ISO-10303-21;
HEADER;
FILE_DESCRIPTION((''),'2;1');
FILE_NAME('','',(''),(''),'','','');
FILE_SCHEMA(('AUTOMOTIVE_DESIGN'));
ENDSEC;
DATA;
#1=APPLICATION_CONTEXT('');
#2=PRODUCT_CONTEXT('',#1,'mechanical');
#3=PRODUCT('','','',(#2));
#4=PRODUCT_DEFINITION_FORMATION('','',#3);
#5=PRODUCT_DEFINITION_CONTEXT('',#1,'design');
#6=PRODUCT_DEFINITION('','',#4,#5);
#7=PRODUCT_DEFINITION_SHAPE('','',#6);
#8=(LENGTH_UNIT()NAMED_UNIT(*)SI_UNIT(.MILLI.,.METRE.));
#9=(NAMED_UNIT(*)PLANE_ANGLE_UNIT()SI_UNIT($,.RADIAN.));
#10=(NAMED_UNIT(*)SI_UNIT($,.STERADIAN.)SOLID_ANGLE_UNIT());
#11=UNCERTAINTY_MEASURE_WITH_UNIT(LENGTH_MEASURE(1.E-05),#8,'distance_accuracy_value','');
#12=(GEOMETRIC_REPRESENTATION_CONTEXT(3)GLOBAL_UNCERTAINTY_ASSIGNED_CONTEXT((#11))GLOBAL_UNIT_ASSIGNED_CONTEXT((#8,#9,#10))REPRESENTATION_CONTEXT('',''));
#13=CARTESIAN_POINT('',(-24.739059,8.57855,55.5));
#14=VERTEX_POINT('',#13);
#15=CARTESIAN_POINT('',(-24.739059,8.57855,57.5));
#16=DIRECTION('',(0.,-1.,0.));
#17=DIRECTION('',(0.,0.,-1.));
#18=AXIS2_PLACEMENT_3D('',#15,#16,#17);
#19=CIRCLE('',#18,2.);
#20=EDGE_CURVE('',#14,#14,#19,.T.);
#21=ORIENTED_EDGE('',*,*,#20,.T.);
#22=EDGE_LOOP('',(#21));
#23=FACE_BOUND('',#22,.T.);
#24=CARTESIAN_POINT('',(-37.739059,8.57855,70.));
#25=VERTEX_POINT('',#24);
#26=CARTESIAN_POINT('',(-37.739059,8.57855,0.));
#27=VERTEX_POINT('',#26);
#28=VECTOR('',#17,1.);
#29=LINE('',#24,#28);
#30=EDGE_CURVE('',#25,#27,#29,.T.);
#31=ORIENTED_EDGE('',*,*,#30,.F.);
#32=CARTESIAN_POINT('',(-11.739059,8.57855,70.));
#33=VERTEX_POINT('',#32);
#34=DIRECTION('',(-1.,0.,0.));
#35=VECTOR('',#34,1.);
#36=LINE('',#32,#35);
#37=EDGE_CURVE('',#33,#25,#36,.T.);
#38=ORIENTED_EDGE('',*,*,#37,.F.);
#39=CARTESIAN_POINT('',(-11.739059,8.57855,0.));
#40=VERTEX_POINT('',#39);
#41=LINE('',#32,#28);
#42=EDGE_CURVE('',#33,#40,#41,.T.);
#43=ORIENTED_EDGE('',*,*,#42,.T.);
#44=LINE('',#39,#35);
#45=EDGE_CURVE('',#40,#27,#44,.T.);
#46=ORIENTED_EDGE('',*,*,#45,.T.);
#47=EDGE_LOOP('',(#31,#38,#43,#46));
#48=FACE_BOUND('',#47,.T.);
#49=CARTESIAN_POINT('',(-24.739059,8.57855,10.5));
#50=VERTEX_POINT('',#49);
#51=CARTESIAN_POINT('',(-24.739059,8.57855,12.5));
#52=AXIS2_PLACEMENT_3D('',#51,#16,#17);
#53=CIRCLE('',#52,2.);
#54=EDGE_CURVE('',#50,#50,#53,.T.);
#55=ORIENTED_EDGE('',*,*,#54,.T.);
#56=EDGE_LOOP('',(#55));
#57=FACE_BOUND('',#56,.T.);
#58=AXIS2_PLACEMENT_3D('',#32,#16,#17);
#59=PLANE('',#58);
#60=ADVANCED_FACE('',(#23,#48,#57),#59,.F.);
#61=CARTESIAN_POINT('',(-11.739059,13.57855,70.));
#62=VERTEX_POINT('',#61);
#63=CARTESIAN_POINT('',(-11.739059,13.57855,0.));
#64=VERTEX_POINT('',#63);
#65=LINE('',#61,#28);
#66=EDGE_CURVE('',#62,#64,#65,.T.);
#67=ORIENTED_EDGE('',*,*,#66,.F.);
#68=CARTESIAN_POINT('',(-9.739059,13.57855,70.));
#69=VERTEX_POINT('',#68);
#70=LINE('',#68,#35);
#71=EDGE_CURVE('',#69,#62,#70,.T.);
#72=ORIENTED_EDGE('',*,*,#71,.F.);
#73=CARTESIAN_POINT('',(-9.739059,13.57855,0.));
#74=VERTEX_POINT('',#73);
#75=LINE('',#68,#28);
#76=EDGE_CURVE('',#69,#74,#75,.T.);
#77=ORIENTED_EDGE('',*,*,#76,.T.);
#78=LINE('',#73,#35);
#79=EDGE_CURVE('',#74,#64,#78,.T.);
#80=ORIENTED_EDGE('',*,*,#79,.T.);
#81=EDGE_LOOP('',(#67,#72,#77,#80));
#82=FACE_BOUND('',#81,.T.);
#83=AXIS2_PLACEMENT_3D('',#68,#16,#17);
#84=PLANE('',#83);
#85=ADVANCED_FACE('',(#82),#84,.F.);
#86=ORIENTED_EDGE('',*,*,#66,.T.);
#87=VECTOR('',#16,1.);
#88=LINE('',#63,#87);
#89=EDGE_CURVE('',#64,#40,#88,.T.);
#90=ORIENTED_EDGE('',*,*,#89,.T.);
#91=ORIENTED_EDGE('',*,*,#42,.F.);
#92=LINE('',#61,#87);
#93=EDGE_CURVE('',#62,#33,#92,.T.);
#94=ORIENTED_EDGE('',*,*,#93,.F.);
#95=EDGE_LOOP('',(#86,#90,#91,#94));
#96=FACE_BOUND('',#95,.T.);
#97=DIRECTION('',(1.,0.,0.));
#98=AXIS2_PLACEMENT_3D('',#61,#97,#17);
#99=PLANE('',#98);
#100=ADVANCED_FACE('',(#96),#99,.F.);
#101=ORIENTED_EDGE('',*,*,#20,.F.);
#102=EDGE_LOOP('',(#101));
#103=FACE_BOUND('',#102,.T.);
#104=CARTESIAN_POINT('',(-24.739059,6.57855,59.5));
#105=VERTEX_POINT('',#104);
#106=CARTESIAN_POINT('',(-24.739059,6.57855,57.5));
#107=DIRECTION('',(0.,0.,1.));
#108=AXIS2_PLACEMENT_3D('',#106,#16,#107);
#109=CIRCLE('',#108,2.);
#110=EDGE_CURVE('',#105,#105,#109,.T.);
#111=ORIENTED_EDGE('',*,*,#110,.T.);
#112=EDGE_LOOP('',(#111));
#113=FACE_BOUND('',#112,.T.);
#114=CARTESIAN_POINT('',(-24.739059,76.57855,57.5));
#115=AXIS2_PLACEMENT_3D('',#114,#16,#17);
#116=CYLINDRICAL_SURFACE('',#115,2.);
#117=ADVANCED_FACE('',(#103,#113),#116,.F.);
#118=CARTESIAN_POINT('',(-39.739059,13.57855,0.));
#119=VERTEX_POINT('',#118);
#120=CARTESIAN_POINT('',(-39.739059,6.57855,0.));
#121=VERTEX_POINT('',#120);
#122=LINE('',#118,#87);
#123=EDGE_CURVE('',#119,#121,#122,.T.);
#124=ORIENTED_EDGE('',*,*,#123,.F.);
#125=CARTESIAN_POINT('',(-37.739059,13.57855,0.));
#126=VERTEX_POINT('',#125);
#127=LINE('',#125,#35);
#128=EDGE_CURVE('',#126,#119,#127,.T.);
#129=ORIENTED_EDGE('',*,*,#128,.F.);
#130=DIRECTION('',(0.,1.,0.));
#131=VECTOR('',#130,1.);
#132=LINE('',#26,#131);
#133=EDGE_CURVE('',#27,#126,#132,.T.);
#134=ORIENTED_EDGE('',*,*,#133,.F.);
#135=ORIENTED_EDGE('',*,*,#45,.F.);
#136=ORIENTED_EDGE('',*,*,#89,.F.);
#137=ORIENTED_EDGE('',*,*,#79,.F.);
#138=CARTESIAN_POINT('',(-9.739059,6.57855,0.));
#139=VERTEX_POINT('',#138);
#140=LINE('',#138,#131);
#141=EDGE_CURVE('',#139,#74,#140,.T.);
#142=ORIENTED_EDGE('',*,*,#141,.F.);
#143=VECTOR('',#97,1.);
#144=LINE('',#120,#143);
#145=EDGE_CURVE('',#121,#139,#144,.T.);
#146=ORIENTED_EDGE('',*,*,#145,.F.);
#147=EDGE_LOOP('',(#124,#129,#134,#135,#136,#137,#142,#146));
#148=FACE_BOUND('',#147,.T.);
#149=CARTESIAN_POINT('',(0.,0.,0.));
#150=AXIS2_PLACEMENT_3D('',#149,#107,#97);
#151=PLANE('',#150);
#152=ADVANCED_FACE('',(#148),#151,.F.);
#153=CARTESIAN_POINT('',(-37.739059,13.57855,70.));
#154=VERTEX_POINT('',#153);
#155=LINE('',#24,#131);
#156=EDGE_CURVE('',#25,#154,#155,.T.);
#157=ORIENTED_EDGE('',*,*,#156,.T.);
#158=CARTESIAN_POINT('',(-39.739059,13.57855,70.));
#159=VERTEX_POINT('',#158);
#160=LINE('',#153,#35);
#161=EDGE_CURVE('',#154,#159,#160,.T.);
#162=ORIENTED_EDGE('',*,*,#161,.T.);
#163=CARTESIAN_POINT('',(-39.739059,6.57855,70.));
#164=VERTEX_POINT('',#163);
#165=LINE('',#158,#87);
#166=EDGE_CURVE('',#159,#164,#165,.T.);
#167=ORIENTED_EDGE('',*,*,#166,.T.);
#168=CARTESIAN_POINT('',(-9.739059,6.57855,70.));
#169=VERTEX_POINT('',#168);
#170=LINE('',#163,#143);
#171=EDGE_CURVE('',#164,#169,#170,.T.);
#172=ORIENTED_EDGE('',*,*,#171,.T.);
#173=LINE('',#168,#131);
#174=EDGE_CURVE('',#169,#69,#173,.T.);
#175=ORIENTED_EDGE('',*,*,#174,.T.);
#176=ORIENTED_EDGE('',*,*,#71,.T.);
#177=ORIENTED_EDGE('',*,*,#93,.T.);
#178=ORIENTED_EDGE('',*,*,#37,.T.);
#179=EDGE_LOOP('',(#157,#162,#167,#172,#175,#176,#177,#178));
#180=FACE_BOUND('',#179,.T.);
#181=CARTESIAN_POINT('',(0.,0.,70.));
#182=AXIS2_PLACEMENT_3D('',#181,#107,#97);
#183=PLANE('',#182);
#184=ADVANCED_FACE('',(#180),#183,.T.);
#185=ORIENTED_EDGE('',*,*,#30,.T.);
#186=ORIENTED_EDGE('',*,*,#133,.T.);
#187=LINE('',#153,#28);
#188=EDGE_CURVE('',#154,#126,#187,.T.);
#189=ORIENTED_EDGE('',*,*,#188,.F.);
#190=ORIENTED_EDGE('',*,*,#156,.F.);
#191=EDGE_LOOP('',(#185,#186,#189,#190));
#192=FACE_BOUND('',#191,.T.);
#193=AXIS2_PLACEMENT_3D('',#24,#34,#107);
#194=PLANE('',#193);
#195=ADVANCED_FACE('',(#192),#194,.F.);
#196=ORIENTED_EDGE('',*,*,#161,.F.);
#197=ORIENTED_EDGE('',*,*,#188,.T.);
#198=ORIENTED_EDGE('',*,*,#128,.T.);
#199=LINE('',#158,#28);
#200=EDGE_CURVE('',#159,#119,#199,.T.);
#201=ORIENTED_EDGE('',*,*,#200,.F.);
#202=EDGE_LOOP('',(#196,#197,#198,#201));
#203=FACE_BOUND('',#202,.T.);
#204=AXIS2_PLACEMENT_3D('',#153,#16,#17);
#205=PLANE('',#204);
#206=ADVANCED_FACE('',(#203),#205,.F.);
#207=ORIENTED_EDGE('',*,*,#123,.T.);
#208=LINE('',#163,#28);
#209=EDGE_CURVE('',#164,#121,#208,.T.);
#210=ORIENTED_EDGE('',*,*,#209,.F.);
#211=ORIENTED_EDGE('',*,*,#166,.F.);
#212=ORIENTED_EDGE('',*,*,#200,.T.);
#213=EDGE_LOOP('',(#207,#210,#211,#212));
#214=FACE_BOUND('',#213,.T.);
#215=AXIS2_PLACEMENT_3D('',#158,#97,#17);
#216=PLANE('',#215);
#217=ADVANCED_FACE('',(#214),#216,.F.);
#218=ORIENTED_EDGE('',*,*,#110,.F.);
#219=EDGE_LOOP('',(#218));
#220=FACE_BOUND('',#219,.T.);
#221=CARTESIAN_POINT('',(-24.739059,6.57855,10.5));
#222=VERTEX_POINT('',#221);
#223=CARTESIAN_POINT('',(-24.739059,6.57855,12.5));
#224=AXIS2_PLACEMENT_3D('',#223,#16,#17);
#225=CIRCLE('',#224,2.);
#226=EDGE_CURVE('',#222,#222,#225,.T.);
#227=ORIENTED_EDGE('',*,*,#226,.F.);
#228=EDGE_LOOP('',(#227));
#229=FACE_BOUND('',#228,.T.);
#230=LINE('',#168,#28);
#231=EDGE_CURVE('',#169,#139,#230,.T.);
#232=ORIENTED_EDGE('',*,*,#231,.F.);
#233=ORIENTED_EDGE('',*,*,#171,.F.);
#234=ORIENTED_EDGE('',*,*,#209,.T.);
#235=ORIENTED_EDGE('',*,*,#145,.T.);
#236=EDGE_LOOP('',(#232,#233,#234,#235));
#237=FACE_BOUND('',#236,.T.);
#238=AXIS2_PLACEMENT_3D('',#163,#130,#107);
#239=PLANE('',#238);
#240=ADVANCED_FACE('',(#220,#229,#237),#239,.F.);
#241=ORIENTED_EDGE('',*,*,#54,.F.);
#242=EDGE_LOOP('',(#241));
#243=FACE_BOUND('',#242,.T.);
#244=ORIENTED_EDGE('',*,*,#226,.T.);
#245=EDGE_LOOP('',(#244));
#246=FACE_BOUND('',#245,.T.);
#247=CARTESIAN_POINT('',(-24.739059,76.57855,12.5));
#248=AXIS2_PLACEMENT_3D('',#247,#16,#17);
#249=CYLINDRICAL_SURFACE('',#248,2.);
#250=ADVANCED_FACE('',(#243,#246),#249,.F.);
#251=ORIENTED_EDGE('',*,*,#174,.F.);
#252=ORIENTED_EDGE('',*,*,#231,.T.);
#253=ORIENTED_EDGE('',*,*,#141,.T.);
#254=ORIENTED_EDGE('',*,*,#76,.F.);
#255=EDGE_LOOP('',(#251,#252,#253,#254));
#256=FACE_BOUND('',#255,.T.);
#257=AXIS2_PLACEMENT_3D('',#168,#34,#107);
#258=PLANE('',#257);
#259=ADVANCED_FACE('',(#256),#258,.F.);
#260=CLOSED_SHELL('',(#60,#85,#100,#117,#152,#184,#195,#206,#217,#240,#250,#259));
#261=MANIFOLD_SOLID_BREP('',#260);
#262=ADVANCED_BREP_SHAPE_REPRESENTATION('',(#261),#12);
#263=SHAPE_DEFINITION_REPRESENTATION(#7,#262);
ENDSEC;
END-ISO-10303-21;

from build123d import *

# Parameters (mm, degrees)
EXTRUDE_1_DEPTH     = 70
SKETCH_2_R          = 2
CUT_EXTRUDE_1_DEPTH = 70


with BuildPart() as part:
    # 草图1 → 凸台-拉伸1 (new body)
    with BuildSketch(Plane.XY):
        Polygon((-39.739058503, 13.578549771), (-39.739058503, 6.578549771), (-9.739058503, 6.578549771), (-9.739058503, 13.578549771), (-11.739058503, 13.578549771), (-11.739058503, 8.578549771), (-37.739058503, 8.578549771), (-37.739058503, 13.578549771), align=None)
    extrude(amount=EXTRUDE_1_DEPTH)

    # 草图2 → 切除-拉伸1 (cut)
    with BuildSketch(Plane(origin=(0, 6.578549771, 0), x_dir=(-1, 0, 0), z_dir=(0, -1, 0))):
        with Locations((24.739058503, -12.5)):
            Circle(SKETCH_2_R)
        with Locations((24.739058503, -57.5)):
            Circle(SKETCH_2_R)
    extrude(amount=-CUT_EXTRUDE_1_DEPTH, mode=Mode.SUBTRACT)


solid = part.part
